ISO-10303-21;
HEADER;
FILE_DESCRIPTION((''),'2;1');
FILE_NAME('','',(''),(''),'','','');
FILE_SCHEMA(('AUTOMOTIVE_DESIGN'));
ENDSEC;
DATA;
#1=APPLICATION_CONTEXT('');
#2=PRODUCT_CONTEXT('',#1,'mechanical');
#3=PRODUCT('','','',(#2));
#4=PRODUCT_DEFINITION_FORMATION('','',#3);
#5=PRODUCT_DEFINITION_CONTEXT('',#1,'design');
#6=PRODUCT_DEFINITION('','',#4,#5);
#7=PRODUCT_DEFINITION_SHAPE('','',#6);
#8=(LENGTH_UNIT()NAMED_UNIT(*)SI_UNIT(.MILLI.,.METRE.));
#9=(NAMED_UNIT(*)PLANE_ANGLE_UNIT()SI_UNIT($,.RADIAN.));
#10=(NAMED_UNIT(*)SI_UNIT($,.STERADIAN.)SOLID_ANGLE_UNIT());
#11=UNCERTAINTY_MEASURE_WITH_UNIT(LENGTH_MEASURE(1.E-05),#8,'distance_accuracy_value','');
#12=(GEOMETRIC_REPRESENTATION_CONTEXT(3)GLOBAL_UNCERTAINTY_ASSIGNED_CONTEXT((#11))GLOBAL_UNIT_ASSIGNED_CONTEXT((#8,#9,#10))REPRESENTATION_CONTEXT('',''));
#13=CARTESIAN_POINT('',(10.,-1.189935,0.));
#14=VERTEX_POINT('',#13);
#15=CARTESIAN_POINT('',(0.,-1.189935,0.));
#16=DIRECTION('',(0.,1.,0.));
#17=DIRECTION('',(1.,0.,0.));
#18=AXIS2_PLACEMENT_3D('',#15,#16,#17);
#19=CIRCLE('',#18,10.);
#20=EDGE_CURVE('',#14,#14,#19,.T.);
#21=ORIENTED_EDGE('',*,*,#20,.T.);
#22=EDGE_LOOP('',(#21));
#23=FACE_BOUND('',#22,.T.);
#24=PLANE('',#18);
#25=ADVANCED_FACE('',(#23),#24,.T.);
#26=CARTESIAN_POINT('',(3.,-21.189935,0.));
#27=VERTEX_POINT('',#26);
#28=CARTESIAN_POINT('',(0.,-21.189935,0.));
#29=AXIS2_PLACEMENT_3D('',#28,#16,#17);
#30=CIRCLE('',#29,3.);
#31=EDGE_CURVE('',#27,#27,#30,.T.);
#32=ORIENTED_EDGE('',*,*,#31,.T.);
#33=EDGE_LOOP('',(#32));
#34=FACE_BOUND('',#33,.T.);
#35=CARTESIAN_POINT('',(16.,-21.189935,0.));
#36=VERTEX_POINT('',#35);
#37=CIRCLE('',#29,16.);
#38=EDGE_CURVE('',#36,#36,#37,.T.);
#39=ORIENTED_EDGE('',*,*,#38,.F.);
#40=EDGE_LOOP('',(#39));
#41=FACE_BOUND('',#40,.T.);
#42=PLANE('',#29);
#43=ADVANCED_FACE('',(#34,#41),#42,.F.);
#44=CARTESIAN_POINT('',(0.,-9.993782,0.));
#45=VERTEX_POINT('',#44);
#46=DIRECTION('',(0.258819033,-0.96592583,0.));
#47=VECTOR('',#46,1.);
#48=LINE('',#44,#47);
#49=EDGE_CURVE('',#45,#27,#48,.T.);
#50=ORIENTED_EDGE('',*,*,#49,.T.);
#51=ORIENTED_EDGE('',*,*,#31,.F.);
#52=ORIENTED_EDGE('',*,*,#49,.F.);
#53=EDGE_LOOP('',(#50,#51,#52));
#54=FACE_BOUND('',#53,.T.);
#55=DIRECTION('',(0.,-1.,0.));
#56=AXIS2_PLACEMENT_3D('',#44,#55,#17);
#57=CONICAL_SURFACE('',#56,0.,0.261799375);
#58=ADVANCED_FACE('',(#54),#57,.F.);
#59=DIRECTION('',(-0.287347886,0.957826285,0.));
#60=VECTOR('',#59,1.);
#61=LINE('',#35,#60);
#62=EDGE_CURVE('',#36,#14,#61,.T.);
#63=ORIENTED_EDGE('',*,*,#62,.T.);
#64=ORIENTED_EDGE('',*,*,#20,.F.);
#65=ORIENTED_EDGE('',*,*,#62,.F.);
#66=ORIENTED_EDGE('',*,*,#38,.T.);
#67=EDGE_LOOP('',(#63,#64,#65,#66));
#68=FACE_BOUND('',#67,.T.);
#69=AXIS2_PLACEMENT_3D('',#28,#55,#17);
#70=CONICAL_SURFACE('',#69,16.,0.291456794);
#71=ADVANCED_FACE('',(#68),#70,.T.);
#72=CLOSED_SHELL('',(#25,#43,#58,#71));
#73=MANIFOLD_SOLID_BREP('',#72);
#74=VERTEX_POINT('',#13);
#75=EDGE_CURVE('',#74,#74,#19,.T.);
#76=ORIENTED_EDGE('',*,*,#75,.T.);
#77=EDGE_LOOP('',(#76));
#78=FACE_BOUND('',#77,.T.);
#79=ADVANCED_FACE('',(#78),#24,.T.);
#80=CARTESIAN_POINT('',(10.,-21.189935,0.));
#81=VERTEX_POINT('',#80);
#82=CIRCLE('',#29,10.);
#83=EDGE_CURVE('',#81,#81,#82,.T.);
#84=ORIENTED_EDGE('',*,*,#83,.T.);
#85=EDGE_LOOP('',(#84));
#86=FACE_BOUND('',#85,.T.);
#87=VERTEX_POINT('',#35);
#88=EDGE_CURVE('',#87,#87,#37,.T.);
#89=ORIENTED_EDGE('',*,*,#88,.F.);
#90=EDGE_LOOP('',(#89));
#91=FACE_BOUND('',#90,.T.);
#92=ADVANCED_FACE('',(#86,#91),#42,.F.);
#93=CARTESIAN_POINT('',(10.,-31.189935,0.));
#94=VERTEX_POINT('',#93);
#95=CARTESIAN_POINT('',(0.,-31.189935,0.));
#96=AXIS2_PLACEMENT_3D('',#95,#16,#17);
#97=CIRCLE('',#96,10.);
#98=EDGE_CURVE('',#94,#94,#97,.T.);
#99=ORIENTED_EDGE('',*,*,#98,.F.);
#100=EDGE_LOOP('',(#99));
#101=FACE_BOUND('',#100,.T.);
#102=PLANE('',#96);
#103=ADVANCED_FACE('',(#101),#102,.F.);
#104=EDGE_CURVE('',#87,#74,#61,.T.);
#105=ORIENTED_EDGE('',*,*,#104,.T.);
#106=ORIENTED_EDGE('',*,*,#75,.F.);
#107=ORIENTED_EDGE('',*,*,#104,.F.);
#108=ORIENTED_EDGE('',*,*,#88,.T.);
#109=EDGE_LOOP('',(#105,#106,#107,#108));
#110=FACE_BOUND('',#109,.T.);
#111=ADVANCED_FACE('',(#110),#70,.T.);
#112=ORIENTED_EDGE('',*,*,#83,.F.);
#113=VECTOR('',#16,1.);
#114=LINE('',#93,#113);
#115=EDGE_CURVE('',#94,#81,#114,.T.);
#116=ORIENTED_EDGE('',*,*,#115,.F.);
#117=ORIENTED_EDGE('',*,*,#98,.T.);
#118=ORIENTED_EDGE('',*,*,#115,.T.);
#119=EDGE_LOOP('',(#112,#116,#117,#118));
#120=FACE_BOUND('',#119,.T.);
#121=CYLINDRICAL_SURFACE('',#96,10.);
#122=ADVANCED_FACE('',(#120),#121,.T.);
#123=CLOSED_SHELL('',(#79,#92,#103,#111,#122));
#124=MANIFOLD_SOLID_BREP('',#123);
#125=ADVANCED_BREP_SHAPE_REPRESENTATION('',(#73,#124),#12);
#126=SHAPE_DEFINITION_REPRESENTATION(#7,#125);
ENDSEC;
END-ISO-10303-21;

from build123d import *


with BuildPart() as f1:
    # F0 (on Top) → F1 (revolve)
    with BuildSketch(Plane.XY):
        Polygon((16, -21.189935), (10, -1.189935), (0, -1.189935), (0, -9.993782), (3, -21.189935), (10, -21.189935), align=None)
    revolve(axis=Axis((0, -5.591858, 0), (0, 1, 0)))


with BuildPart() as f2:
    # F0 (on Top) → F2 (revolve)
    with BuildSketch(Plane.XY):
        Polygon((16, -21.189935), (10, -1.189935), (0, -1.189935), (0, -9.993782), (3, -21.189935), (10, -21.189935), align=None)
        Polygon((10, -31.189935), (10, -21.189935), (3, -21.189935), (0, -9.993782), (0, -31.189935), align=None)
    revolve(axis=Axis((0, -5.591858, 0), (0, 1, 0)))


solid = Compound([f1.part, f2.part])
